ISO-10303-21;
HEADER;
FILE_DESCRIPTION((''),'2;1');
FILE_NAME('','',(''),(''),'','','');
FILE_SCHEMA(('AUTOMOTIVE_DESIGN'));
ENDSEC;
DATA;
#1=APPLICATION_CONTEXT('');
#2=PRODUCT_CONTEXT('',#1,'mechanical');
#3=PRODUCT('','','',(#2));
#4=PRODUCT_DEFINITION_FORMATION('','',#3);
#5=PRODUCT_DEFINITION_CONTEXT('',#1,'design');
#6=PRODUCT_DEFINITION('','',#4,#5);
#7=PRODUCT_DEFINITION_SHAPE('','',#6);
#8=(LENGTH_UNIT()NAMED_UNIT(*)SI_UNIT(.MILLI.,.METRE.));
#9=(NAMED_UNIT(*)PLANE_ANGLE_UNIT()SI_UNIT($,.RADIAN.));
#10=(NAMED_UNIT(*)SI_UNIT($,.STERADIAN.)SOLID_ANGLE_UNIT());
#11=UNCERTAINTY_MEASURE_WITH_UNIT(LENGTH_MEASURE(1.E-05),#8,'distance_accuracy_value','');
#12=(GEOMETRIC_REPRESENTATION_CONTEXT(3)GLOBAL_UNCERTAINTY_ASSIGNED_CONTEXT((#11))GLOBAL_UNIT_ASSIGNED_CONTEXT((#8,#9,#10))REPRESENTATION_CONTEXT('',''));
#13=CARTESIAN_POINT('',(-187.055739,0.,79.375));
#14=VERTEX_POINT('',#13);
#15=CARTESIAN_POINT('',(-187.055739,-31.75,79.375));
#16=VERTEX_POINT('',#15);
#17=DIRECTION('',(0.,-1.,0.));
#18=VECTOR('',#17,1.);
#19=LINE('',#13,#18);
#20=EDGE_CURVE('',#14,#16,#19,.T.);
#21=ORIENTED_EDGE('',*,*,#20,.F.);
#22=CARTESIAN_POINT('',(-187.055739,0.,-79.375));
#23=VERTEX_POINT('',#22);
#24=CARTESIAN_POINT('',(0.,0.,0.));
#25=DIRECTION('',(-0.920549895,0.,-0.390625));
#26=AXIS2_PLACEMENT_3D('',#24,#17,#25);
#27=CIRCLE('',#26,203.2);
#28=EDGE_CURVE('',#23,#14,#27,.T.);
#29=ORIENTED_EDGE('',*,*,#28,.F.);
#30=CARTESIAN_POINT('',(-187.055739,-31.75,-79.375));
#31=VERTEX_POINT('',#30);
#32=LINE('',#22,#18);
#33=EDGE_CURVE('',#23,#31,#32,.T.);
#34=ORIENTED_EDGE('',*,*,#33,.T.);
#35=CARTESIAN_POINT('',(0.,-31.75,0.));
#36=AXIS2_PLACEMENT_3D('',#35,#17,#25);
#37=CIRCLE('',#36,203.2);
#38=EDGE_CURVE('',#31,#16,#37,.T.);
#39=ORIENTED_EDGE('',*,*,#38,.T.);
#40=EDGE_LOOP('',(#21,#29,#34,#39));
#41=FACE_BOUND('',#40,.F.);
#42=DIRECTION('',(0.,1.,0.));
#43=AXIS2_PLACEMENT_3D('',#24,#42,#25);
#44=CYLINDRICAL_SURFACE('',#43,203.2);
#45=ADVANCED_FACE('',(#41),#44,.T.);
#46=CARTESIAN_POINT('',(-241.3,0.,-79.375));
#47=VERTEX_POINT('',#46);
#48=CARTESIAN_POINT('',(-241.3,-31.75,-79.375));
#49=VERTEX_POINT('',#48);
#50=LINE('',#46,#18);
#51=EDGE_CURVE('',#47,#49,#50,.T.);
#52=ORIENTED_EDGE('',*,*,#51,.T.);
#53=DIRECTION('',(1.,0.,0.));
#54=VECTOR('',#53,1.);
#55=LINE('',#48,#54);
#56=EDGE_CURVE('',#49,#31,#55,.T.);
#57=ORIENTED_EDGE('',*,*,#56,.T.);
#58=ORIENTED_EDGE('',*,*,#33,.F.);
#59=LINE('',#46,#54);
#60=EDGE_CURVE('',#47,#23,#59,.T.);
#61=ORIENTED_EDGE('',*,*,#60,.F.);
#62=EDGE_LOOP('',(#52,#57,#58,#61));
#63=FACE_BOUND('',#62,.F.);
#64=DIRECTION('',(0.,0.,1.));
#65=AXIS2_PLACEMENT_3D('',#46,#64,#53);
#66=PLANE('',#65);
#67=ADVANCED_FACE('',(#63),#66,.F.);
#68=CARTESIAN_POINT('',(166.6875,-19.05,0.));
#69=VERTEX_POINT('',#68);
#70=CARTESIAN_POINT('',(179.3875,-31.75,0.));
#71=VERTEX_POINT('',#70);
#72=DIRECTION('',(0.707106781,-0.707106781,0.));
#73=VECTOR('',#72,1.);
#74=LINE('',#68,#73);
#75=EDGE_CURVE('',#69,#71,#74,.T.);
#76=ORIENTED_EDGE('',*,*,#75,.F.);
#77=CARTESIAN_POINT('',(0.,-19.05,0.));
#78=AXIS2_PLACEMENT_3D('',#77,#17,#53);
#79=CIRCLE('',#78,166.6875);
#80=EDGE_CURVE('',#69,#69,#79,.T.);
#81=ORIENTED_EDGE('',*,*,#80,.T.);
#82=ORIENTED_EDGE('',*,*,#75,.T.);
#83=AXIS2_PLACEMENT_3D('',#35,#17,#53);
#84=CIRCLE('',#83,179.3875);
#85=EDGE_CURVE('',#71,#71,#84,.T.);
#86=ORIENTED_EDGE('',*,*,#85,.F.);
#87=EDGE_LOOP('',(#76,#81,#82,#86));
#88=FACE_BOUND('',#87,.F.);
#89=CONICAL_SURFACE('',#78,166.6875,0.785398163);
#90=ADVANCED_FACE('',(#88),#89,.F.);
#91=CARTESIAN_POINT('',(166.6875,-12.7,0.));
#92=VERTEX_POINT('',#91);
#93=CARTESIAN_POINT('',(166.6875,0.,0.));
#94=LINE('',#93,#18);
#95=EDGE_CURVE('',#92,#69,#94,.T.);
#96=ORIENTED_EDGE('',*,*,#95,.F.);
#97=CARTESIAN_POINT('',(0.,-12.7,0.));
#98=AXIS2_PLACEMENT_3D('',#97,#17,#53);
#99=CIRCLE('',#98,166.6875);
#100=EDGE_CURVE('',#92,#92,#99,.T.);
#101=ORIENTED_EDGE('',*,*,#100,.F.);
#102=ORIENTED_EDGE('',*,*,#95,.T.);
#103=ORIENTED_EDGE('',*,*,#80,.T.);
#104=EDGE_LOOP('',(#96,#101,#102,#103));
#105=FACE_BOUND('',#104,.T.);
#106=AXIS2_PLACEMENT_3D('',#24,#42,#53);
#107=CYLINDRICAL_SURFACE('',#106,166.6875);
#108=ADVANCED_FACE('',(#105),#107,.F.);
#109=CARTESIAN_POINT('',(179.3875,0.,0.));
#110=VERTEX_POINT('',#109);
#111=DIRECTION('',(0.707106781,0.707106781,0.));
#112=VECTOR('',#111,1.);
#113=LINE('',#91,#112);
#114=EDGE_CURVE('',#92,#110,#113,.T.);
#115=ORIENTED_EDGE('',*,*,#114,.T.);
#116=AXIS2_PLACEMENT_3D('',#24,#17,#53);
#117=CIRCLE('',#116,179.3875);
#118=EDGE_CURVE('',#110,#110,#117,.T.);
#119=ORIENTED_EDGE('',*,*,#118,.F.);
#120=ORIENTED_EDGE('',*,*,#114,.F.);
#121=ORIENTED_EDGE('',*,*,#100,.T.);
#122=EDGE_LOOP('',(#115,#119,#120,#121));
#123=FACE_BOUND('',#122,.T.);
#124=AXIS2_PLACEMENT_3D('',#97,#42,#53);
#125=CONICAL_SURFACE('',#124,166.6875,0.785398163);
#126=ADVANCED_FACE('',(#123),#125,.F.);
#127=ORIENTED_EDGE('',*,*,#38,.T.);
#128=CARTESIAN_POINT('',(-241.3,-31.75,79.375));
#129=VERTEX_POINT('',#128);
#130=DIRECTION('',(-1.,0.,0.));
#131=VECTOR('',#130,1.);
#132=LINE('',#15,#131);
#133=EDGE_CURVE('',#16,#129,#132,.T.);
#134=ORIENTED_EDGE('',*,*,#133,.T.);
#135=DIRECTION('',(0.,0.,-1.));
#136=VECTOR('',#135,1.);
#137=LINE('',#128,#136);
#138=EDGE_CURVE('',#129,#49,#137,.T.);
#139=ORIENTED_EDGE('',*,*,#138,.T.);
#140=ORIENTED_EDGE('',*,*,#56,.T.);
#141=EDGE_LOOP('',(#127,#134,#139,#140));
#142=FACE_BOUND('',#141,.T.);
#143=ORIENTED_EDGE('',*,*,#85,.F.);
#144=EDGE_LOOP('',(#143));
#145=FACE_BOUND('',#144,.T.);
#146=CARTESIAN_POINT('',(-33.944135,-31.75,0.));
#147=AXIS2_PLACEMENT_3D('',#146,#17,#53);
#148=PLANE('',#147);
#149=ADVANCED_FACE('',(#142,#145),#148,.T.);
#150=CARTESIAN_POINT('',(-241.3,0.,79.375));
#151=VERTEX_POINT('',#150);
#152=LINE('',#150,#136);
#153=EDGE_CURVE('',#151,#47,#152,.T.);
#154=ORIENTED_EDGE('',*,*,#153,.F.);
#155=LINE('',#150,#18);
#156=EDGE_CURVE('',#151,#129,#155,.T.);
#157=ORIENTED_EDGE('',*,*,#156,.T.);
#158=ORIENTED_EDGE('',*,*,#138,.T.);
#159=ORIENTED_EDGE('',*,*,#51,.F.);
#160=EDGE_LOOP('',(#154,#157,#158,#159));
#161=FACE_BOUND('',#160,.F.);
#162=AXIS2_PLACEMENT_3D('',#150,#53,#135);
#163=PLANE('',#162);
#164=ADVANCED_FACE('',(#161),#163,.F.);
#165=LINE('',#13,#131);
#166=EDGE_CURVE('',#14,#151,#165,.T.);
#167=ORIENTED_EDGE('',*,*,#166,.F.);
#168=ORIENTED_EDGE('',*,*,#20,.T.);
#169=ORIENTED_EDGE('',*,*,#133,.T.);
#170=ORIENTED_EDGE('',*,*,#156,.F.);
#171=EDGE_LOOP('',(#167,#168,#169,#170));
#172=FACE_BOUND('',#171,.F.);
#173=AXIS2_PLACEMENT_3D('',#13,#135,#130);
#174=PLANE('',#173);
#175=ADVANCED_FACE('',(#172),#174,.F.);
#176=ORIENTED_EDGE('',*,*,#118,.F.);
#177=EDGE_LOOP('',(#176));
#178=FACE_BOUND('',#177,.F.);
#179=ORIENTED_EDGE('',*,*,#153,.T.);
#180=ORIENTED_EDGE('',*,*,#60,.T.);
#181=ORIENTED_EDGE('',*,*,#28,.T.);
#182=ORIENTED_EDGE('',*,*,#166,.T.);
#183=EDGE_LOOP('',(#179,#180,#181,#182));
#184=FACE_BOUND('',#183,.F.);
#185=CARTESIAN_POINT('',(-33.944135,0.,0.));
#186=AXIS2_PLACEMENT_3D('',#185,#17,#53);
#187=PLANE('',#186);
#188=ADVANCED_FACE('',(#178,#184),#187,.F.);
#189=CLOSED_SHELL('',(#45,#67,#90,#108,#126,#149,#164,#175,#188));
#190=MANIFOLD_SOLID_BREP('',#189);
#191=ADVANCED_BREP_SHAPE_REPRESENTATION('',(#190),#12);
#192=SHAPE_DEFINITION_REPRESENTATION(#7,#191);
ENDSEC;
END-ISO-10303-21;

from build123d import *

# Parameters (mm, degrees)
F0_R     = 166.6875
F1_DEPTH = 31.75
F2_SIZE  = 12.7


with BuildPart() as f1:
    # F0 (on Front) → F1 (new body)
    with BuildSketch(Plane.XZ):
        with BuildLine():
            Line((-241.3, -79.375), (-187.055739, -79.375))
            ThreePointArc((-187.055739, -79.375), (203.2, 0), (-187.055739, 79.375))
            Line((-187.055739, 79.375), (-241.3, 79.375))
            Line((-241.3, 79.375), (-241.3, -79.375))
        make_face()
        Circle(F0_R, mode=Mode.SUBTRACT)
    extrude(amount=F1_DEPTH)

    # F2
    f2_edges = [f1.edges().sort_by_distance(p)[0] for p in [
        (-166.6875, -31.75, 0),
        (-166.6875, 0, 0),
    ]]
    chamfer(f2_edges, length=F2_SIZE)


solid = f1.part
